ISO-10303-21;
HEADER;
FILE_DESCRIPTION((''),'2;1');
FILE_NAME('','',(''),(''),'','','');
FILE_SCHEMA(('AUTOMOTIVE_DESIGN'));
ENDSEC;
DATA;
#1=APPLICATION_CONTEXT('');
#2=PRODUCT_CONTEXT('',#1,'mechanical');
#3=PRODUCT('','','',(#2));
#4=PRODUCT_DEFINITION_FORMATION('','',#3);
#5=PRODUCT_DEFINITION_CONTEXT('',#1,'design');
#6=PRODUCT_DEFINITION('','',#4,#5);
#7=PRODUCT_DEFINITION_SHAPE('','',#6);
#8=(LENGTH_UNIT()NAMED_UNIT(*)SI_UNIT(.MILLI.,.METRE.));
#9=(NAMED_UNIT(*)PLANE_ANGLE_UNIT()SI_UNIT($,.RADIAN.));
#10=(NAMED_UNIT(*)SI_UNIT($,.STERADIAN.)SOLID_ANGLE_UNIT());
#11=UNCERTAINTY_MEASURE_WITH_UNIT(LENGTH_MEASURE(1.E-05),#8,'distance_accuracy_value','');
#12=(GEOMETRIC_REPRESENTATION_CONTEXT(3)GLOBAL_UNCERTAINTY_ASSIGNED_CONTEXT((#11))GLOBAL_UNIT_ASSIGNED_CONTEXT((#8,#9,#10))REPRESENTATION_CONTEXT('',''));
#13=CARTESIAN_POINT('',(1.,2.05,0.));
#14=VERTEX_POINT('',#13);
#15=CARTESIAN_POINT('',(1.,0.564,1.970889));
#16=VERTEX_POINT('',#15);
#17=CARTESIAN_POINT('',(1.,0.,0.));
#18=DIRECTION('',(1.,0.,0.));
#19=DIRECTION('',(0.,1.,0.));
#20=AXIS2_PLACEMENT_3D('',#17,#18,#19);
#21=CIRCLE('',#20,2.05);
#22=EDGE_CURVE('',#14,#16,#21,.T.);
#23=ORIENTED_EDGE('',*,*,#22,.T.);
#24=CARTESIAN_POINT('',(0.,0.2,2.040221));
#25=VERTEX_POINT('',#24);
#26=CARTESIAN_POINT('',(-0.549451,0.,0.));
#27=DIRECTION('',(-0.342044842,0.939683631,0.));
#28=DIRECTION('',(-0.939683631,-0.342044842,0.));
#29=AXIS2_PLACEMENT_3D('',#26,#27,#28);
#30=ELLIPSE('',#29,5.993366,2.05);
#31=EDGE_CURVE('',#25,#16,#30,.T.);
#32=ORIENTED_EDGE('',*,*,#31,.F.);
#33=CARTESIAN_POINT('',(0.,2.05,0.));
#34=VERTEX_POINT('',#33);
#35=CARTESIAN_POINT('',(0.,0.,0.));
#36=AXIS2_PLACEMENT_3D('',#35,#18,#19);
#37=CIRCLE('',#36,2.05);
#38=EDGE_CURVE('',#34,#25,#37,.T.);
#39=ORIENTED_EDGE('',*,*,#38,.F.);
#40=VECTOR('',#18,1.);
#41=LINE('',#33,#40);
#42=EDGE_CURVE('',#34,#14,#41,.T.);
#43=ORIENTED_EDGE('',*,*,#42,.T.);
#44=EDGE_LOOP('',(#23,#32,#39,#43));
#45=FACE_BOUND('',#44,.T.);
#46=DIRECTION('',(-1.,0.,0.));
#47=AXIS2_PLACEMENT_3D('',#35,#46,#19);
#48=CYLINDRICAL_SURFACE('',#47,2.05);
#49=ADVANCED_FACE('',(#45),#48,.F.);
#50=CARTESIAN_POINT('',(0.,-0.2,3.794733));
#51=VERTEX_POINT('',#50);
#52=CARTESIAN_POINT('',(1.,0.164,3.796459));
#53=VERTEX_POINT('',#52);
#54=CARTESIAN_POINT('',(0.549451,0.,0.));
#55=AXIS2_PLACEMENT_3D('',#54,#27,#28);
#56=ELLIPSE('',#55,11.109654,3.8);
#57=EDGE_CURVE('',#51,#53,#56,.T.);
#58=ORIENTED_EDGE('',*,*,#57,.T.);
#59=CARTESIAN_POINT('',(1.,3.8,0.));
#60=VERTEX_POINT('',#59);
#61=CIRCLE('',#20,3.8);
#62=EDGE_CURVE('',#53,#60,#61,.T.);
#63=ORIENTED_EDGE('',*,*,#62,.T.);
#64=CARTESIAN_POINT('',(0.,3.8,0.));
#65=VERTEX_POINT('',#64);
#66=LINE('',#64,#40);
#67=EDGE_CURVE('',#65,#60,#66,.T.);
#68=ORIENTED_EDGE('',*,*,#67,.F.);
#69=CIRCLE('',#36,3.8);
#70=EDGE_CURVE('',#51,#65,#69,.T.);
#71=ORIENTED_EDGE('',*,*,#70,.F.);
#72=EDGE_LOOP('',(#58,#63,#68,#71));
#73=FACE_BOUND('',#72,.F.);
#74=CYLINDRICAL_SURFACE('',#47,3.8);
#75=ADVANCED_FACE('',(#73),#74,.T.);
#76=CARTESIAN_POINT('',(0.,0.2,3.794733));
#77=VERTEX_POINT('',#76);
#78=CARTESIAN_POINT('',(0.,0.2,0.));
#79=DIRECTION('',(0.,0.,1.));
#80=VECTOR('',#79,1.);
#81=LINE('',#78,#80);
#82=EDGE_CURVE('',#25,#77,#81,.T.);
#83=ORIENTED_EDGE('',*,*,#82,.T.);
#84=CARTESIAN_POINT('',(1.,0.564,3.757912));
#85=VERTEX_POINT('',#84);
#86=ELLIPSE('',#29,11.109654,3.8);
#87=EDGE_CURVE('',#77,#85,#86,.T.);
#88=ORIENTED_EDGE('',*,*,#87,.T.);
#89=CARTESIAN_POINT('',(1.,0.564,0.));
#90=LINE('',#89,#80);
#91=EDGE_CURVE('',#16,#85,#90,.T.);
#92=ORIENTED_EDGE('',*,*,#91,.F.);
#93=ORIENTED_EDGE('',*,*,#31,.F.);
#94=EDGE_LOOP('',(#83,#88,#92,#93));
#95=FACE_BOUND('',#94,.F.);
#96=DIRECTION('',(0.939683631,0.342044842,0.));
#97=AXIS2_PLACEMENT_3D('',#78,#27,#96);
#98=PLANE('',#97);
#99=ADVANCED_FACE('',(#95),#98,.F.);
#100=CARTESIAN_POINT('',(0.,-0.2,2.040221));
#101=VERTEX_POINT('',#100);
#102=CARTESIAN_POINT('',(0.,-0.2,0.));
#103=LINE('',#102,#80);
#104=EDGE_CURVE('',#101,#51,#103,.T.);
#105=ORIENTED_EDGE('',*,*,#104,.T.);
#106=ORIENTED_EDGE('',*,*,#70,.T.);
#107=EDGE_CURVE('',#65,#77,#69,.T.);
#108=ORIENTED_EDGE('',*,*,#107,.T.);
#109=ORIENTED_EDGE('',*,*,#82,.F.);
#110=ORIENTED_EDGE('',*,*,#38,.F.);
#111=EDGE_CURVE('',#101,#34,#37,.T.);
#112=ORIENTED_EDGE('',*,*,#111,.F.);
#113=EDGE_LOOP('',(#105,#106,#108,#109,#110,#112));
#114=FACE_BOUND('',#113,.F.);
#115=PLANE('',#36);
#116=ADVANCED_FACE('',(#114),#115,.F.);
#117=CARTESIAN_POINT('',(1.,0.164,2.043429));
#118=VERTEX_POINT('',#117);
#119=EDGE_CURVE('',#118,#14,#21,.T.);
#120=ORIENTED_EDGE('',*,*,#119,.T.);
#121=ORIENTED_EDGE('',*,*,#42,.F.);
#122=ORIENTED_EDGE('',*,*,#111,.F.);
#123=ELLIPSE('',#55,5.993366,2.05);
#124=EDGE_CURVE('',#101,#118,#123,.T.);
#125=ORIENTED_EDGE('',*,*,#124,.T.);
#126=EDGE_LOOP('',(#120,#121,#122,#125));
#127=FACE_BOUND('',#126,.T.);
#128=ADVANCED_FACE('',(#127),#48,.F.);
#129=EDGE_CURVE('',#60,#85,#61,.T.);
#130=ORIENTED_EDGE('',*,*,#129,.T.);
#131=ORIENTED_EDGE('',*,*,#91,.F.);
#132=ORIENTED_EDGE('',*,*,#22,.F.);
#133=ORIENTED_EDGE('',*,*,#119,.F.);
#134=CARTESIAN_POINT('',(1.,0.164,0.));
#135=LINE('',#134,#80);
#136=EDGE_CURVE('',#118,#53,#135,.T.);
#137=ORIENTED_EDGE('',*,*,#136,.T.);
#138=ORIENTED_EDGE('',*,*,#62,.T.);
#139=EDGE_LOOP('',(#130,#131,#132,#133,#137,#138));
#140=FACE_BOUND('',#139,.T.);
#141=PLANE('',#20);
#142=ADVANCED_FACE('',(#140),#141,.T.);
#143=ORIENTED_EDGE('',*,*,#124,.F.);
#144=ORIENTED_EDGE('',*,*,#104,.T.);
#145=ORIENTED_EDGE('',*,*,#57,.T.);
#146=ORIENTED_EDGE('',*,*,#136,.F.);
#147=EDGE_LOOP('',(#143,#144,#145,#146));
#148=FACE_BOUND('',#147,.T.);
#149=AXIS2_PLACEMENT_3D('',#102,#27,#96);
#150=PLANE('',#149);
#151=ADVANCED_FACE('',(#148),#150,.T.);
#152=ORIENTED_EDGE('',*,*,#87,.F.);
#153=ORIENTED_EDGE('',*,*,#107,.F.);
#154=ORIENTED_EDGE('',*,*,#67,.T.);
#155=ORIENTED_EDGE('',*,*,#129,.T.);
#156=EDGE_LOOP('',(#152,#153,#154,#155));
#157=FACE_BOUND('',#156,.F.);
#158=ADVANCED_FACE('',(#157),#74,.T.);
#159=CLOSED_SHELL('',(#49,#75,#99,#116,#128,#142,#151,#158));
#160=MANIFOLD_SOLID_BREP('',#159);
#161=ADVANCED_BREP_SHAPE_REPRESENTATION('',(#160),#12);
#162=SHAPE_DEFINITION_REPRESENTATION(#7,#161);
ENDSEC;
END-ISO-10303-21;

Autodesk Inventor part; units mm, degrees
ref_plane "YZ Plane" through (0, 0, 0) normal (1, 0, 0) x (0, 1, 0)
ref_plane "XZ Plane" through (0, 0, 0) normal (0, 1, 0) x (-1, 0, 0)
sketch "Sketch1" plane through (0, 0, 0) normal (1, 0, 0) x (0, 1, 0)
  circle A0 centre (0, 0) radius 3.8
  circle A1 centre (0, 0) radius 2.05
  dimension "d0" = 4.1
  dimension "d1" = 7.6
extrude "Body" add sketch "Sketch1" along normal blind 1
sketch "Sketch2" plane through (0, 0, 0) normal (0, 0, 1) x (1, 0, 0)
  line L0 (0, -2.05) -> (0, 2.05) projected
  line L1 (1, 3.8) -> (1, -3.8) projected
  line L2 (-1.2, 0) -> (7.2, 0) projected
  line L3 (0, -0.2) -> (1, 0.164)
  line L4 (0, 0.2) -> (1, 0.564)
  dimension "d4" = 0.2
  dimension "d5" = 0.2
  dimension "d6" = 70
extrude "Cut" cut sketch "Sketch2" along normal up to next contours L0 L2 L3 | L0 L4 L1 L3 L2
ref_plane "Work Plane1" through (0, 0, 0) normal (0, -1, 0) x (1, 0, 0)
equation "\"d0\" = SD1"
equation "\"d1\" = SD2"
equation "\"d2\" = SD"
equation "\"d4\" = 0.2 * SD"
equation "\"d5\" = 0.2 * SD"
equation "\"d6\" = FAWI"
equation "\"d7\" = SD"
equation "\"SD1\" = 4.1"
equation "\"SD2\" = 7.6"
equation "\"SD\" = 1"
equation "\"FAWI\" = 70deg"
equation "\"NND\" = 4"
properties part number "AS 1968 - 1976 - 4" material "Steel, Mild"
